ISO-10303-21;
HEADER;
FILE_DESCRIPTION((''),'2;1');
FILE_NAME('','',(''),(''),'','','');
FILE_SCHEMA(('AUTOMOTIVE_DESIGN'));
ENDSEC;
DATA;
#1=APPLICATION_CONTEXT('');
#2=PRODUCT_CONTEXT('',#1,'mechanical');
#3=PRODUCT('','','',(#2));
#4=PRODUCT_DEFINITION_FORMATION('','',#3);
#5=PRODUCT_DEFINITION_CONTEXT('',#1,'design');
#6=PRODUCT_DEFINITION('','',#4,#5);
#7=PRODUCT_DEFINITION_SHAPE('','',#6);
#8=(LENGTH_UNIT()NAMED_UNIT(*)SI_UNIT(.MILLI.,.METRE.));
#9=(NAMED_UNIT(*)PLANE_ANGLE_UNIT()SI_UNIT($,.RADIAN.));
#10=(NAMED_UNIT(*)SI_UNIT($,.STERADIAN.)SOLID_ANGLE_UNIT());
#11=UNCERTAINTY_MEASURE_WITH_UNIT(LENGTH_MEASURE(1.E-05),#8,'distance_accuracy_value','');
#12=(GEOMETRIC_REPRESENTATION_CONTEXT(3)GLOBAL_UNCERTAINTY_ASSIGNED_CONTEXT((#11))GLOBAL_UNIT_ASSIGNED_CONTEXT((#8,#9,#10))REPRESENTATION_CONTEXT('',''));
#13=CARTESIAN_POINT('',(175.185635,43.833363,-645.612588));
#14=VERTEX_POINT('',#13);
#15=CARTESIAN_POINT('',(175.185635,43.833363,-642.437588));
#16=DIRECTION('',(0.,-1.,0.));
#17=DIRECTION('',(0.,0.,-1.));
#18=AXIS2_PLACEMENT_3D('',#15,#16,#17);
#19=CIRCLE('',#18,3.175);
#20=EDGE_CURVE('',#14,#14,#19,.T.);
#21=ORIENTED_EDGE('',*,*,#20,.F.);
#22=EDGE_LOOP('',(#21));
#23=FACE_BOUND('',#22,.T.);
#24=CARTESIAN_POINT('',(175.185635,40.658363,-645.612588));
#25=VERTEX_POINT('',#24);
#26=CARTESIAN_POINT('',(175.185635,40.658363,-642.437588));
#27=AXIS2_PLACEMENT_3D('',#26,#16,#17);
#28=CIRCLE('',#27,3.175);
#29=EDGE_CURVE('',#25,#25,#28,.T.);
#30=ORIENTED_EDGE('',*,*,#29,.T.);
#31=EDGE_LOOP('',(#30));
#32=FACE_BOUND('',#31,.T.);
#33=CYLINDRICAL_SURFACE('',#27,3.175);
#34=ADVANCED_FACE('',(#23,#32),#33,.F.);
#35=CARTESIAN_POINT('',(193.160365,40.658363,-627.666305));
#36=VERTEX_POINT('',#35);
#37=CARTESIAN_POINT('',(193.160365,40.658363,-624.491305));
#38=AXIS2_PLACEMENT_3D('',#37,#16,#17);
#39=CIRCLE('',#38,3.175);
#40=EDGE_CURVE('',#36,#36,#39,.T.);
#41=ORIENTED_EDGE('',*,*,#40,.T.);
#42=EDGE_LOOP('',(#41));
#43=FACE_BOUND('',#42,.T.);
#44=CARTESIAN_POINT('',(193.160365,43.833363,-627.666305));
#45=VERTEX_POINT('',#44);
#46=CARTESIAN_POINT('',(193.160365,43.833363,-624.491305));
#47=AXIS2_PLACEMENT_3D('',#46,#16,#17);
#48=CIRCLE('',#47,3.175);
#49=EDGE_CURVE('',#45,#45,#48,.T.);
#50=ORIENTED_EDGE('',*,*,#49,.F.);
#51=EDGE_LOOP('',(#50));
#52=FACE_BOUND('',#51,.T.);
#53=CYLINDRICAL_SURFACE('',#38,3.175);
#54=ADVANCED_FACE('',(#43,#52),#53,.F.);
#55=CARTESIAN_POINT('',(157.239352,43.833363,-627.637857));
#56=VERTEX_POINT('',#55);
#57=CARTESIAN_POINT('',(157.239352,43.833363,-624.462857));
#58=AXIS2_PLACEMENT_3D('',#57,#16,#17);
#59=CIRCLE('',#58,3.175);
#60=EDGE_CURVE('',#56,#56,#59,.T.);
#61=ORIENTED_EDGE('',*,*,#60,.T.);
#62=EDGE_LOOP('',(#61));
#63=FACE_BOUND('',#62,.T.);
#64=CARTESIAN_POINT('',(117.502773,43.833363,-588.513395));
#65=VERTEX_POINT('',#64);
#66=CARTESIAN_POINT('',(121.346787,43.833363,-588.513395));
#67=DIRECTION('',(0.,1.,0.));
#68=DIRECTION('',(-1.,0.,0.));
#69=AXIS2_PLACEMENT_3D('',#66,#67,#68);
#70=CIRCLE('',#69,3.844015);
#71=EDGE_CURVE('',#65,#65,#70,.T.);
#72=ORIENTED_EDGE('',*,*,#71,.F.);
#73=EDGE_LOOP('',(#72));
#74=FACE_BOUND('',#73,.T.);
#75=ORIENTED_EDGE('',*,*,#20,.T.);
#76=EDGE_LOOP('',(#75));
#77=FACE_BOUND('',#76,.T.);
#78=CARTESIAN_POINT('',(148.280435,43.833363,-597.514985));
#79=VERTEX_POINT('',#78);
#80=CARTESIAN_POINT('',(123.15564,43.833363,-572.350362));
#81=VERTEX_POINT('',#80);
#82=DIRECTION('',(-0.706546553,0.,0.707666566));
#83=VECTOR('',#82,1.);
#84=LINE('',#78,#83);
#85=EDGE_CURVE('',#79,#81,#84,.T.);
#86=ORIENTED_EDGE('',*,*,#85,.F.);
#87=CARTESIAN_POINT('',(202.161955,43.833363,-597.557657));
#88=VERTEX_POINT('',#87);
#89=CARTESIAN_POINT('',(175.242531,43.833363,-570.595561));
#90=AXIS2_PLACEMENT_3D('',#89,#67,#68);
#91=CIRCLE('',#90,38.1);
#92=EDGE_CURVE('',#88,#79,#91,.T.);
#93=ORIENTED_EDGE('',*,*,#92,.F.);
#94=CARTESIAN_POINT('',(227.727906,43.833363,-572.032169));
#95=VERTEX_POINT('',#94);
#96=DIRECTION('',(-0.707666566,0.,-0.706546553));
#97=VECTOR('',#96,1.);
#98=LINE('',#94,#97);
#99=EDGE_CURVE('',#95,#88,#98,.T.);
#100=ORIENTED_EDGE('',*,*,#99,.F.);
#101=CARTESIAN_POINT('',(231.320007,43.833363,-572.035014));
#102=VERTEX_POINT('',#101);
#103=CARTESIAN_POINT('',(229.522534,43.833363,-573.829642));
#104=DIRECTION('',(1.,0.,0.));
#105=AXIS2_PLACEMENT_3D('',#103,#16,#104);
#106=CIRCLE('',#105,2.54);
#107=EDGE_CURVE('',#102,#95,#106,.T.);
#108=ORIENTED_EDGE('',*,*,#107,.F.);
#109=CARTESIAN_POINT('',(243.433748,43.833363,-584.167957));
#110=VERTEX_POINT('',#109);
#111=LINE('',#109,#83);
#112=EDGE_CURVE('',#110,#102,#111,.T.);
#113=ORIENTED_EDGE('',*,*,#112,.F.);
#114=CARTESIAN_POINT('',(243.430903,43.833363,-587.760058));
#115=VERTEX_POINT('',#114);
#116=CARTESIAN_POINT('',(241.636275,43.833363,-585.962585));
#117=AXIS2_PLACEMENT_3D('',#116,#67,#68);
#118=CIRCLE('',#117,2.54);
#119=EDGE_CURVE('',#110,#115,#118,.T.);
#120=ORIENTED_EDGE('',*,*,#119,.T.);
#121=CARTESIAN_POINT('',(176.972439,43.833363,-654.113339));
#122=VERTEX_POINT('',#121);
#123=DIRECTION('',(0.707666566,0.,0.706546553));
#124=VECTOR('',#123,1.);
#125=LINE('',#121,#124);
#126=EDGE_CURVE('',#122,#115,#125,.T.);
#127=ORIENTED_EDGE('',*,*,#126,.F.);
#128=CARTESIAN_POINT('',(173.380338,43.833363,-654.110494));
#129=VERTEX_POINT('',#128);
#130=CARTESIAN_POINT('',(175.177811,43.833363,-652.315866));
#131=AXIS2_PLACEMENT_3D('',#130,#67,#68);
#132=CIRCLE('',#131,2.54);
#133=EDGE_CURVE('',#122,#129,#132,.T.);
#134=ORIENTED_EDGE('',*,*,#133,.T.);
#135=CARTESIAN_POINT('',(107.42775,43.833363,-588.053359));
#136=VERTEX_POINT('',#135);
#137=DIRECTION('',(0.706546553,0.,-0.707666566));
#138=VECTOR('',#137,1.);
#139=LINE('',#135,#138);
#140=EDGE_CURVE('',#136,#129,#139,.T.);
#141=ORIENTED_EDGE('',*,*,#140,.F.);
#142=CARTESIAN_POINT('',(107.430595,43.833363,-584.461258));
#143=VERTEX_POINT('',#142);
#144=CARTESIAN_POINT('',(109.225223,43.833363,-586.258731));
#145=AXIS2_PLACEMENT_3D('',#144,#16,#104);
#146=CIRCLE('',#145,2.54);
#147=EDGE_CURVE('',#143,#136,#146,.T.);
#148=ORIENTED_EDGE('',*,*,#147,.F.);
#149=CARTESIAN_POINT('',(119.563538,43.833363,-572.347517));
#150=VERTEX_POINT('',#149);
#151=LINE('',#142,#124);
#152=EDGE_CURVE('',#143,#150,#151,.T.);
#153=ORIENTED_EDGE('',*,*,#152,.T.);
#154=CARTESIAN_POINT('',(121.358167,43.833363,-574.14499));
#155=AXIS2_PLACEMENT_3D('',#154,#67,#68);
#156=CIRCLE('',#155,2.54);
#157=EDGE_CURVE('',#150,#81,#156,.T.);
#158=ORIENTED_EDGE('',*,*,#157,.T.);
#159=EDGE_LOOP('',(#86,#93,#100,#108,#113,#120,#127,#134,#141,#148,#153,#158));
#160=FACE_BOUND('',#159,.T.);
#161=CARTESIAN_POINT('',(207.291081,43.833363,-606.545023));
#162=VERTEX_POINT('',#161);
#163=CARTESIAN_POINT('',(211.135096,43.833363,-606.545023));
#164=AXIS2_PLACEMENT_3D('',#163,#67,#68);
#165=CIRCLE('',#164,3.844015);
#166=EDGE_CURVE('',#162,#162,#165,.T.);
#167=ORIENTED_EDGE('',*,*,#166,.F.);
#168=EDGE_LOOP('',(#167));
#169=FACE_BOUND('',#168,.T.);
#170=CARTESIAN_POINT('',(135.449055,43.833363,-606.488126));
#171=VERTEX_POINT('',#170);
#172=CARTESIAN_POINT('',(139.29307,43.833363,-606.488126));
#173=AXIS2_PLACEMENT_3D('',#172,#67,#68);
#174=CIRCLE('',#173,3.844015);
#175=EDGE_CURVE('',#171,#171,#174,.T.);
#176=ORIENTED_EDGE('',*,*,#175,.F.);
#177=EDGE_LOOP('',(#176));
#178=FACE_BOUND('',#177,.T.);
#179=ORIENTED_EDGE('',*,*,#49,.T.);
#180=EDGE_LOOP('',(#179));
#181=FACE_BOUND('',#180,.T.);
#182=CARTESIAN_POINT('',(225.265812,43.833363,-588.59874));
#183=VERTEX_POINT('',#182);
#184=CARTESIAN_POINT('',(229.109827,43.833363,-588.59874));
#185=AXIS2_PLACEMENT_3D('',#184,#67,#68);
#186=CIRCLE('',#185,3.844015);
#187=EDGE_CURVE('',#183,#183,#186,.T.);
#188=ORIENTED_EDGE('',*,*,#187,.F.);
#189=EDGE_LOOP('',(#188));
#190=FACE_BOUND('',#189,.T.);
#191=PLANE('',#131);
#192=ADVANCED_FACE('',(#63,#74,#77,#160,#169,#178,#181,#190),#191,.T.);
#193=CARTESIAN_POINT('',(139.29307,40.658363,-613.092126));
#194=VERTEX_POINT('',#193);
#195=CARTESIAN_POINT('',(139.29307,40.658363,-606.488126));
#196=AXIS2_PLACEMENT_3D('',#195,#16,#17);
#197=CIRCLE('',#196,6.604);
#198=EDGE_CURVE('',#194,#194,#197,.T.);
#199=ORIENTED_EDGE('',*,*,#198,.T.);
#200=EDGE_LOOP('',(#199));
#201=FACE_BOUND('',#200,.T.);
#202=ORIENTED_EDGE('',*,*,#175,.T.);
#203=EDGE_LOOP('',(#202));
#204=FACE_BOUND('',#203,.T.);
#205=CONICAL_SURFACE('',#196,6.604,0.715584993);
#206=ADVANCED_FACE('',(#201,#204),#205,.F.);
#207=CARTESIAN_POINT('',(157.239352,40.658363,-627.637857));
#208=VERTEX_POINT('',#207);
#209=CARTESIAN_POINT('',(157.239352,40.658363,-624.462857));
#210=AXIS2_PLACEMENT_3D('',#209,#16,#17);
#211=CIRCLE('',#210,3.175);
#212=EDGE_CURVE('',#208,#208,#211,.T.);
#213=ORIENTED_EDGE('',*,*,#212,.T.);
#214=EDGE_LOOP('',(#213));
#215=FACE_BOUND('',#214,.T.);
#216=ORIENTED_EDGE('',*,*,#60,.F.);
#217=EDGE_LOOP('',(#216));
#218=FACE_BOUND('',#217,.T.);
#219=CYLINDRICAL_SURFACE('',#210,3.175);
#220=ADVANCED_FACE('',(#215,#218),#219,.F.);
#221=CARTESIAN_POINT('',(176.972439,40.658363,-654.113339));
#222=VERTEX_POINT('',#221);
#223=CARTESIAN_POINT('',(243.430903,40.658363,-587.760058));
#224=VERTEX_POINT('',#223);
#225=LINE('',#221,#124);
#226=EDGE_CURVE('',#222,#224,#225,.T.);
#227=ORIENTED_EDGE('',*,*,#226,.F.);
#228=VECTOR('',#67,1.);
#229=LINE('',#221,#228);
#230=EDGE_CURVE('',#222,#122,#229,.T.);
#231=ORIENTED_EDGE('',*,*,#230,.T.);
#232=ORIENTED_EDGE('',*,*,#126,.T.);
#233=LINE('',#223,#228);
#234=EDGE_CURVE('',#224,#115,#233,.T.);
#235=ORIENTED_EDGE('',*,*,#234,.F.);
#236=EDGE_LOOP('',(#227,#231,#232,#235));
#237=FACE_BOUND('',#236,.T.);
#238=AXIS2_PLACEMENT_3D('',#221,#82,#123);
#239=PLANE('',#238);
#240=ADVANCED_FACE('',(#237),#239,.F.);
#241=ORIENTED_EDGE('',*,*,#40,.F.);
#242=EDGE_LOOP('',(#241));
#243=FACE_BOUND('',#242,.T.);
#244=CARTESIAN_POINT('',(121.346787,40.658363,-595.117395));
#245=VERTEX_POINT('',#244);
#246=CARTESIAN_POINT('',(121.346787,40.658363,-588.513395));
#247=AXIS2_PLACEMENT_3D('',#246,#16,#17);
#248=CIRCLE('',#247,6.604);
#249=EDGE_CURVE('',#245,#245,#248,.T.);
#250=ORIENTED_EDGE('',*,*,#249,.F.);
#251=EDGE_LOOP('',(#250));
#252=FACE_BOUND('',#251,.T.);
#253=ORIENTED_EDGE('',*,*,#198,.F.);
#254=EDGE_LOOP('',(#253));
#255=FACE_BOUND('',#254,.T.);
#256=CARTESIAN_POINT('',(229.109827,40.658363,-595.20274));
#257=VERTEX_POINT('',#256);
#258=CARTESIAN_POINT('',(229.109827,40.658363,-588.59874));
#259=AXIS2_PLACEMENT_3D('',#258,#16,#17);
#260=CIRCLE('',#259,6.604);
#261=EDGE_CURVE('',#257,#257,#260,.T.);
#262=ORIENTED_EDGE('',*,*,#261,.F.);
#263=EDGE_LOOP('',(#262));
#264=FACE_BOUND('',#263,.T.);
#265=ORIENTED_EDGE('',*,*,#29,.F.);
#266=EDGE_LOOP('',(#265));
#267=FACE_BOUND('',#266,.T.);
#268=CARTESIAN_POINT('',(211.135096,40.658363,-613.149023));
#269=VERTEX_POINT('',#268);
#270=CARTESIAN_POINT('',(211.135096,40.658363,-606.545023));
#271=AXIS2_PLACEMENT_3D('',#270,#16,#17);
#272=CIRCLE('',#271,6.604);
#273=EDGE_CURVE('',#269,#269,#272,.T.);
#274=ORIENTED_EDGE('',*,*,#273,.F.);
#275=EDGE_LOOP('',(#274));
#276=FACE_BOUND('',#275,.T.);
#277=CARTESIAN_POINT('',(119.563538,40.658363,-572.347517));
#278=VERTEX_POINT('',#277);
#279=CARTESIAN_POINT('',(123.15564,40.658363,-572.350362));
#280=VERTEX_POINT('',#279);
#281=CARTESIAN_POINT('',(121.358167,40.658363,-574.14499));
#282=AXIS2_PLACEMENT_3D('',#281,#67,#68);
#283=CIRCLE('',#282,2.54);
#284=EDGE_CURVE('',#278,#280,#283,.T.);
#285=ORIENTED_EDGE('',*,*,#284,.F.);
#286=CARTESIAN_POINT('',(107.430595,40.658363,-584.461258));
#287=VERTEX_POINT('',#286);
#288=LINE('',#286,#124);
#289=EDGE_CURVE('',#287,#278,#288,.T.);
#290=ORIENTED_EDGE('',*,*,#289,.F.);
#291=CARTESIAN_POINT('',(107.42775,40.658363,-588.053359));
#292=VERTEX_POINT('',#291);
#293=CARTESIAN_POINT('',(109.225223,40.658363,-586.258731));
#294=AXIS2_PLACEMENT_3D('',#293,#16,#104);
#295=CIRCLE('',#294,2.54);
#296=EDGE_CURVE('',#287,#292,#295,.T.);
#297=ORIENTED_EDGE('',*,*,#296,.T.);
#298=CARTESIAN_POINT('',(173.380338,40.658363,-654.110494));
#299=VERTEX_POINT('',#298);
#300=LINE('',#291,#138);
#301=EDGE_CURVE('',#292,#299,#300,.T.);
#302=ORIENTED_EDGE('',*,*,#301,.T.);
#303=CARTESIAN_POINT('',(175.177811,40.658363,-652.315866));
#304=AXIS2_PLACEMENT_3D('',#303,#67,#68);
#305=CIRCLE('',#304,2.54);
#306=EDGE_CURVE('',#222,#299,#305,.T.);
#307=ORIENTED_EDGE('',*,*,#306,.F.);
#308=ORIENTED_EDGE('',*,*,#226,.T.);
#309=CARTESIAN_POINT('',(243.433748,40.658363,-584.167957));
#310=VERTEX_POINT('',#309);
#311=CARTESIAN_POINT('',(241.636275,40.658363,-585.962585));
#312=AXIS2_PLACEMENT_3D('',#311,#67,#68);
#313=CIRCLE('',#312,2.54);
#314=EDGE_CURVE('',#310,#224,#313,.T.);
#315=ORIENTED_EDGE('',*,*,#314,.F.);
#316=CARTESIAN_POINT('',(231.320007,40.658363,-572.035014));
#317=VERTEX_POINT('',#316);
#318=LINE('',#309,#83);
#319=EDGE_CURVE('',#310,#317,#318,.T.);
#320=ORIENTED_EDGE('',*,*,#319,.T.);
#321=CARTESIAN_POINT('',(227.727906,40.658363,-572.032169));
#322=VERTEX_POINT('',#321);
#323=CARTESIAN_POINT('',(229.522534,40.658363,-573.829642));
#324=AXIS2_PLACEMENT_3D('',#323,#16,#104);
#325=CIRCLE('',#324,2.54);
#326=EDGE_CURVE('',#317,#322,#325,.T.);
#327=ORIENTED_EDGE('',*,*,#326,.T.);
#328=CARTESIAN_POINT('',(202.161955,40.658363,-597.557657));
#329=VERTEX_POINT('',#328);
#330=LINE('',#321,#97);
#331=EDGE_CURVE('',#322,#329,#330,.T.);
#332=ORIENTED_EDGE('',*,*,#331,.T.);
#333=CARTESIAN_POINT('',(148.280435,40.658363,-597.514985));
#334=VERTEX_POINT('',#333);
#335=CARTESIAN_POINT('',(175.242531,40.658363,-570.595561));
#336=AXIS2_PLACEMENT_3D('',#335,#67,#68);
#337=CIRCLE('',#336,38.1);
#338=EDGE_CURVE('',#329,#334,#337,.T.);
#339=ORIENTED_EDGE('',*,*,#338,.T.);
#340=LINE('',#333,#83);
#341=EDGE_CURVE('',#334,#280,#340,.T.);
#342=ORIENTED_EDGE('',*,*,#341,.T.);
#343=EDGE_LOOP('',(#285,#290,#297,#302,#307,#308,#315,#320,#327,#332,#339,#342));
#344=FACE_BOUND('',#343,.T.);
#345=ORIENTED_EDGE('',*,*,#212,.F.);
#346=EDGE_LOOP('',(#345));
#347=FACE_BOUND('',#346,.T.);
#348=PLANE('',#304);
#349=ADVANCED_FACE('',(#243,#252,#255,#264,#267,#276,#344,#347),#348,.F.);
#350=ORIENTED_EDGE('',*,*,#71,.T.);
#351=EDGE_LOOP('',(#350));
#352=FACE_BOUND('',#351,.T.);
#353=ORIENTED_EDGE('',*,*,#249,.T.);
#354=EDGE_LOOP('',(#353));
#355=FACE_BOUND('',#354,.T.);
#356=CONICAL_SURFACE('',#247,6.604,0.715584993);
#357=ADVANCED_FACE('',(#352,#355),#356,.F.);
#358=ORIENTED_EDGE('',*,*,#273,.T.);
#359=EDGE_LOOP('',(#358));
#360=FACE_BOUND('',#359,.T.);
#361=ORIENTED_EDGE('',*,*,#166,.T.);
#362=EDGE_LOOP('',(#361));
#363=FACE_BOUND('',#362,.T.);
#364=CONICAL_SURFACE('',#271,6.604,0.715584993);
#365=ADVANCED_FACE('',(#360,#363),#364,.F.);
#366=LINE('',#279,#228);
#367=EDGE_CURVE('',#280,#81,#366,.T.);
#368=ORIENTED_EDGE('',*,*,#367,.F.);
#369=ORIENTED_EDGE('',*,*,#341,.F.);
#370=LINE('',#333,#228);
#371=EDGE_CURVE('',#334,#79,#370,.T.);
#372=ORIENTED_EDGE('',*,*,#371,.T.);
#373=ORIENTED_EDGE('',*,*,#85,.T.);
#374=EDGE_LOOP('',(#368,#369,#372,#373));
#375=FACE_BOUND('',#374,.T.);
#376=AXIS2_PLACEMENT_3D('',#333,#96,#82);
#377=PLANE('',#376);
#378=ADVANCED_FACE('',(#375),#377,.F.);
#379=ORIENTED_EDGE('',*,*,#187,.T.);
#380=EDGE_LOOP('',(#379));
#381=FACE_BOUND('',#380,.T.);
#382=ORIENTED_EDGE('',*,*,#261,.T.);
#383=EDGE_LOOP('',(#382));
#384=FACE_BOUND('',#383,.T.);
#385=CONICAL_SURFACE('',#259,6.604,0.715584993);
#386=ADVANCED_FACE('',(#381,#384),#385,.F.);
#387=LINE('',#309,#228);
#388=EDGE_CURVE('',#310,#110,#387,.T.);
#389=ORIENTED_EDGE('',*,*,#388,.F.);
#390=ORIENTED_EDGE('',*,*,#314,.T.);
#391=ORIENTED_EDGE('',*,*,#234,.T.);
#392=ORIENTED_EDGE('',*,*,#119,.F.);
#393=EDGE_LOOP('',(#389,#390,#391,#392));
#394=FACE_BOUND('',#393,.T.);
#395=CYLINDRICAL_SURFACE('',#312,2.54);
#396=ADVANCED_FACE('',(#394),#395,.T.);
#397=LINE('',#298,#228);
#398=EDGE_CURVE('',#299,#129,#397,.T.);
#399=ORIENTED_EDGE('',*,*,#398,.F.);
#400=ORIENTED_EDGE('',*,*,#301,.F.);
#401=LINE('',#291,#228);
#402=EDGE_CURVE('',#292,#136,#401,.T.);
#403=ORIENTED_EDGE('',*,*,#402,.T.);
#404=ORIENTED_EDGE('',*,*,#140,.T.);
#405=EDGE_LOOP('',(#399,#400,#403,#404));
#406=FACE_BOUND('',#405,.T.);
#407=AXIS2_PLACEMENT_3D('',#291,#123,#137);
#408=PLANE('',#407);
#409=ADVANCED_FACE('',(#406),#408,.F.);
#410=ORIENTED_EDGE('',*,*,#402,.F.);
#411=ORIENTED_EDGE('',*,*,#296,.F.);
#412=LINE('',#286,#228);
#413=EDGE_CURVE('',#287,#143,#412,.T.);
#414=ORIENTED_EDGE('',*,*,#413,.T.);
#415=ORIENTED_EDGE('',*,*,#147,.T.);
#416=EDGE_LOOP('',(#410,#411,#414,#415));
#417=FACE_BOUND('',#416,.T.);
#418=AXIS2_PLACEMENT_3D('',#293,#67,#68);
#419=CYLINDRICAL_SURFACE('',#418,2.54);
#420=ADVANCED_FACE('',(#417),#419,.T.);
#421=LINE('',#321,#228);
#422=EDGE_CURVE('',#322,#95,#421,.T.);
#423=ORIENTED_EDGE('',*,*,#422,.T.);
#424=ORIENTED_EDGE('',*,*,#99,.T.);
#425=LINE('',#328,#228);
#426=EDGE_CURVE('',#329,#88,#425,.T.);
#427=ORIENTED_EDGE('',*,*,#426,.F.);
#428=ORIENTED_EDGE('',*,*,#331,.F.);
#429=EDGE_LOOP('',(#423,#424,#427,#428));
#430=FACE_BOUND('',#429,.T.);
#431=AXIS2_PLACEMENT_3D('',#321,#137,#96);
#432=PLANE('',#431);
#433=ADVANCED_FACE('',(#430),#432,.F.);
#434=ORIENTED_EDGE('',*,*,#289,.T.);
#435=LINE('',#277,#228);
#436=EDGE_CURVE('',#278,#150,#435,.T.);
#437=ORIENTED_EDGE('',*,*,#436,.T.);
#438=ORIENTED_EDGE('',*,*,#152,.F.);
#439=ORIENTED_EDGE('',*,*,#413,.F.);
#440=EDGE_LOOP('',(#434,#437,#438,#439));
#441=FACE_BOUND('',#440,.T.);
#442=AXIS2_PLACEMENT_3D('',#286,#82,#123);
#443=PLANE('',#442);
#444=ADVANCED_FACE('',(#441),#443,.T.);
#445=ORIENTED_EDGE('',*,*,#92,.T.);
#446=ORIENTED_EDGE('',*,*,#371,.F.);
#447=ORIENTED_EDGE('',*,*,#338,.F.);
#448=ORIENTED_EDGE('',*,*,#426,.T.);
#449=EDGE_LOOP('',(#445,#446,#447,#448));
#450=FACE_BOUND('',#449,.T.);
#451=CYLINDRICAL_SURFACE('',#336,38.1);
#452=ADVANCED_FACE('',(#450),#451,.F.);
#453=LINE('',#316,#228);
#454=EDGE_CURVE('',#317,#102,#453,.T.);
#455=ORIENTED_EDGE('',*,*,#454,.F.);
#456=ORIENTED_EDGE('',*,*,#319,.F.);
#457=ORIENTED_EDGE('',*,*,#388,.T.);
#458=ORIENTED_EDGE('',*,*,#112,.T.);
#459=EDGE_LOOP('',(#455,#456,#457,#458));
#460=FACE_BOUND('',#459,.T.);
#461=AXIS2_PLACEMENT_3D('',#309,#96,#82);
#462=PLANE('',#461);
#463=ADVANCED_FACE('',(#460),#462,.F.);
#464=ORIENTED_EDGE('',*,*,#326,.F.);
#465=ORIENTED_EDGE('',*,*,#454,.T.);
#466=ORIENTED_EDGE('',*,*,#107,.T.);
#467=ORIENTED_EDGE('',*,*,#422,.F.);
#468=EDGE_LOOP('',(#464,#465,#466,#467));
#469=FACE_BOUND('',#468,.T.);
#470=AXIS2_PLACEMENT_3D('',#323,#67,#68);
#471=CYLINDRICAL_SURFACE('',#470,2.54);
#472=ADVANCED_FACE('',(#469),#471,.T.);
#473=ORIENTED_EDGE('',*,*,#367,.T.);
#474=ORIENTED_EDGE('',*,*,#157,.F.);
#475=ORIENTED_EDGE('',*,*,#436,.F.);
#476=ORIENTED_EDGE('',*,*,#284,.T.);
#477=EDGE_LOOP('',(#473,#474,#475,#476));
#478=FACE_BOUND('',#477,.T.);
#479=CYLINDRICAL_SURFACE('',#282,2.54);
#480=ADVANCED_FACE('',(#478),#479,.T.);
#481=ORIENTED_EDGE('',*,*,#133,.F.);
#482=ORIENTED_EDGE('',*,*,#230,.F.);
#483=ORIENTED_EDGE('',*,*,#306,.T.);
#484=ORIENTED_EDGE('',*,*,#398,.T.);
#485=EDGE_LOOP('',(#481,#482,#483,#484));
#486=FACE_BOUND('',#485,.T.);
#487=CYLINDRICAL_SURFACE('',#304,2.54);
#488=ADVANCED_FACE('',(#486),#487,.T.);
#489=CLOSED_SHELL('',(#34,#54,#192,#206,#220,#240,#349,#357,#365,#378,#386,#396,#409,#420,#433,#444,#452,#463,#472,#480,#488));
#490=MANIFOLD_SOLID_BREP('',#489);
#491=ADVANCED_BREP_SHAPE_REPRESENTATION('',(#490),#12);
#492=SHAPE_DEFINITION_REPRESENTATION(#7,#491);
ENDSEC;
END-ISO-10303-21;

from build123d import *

# Parameters (mm, degrees)
BOSS_EXTRUDE1_DEPTH                  = 3.175
F_1_4_0_25_DIAMETER_HOLE1_D          = 6.35
F_1_4_0_25_DIAMETER_HOLE3_AT_2_COUNT = 2
F_1_4_0_25_DIAMETER_HOLE3_AT_2_PITCH = 25.4
F_1_4_0_25_DIAMETER_HOLE3_AT_3_COUNT = 2
F_1_4_0_25_DIAMETER_HOLE3_AT_3_PITCH = 71.842048969
F_1_4_0_25_DIAMETER_HOLE3_AT_4_COUNT = 2
F_1_4_0_25_DIAMETER_HOLE3_AT_4_PITCH = 91.581002397


with BuildPart() as part:
    # Outline → Boss-Extrude1 (new body)
    with BuildSketch(Plane.XZ.offset(-43.833362877)):
        with BuildLine():
            Line((176.972439461, -654.113339272), (243.430903053, -587.760058499))
            ThreePointArc((243.430903053, -587.760058499), (244.176274012, -585.964597022), (243.433747886, -584.167957177))
            Line((243.433747886, -584.167957177), (231.320007239, -572.035013901))
            ThreePointArc((231.320007239, -572.035013901), (229.524545763, -571.289642942), (227.727905917, -572.032169067))
            Line((227.727905917, -572.032169067), (202.161954847, -597.557657288))
            ThreePointArc((202.161954847, -597.557657288), (175.212357167, -608.695549172), (148.280435018, -597.514984781))
            Line((148.280435018, -597.514984781), (123.155639602, -572.350361691))
            ThreePointArc((123.155639602, -572.350361691), (121.360178125, -571.604990731), (119.56353828, -572.347516857))
            Line((119.56353828, -572.347516857), (107.430595004, -584.461257504))
            ThreePointArc((107.430595004, -584.461257504), (106.685224045, -586.256718981), (107.42775017, -588.053358826))
            Line((107.42775017, -588.053358826), (173.380338139, -654.110494438))
            ThreePointArc((173.380338139, -654.110494438), (175.175799616, -654.855865397), (176.972439461, -654.113339272))
        make_face()
    extrude(amount=BOSS_EXTRUDE1_DEPTH)

    # 1/4 (0.25) Diameter Hole1 (through all)
    with Locations(Plane(origin=(0, 40.658362877, 0), x_dir=(-1, 0, 0), z_dir=(0, -1, 0))):
        with Locations((-175.18563451, 642.437587559), (-193.160365289, 624.491305118), (-157.239352069, 624.46285678)):
            Hole(F_1_4_0_25_DIAMETER_HOLE1_D / 2)

    # Sketch11 → 1/4 (0.25) Diameter Hole3 (revolve, cut)
    with BuildSketch(Plane(origin=(139.293069629, 40.658362877, -606.488126001), x_dir=(0, 0, -1), z_dir=(1, 0, 0))):
        Polygon((0, 0), (0, 3.175), (3.175, 3.175), (3.175, 3.944613268), (6.604, 0), align=None)
    f_1_4_0_25_diameter_hole3 = revolve(axis=Axis((139.293069629, 34.308362877, -606.488126001), (0, 1, 0)), mode=Mode.SUBTRACT)

    # 1/4 (0.25) Diameter Hole3 at 2: 1/4 (0.25) Diameter Hole3 ×2
    with Locations(*[Vector(-0.7065465527738991, 0, 0.7076665660912065) * (i * F_1_4_0_25_DIAMETER_HOLE3_AT_2_PITCH) for i in range(1, F_1_4_0_25_DIAMETER_HOLE3_AT_2_COUNT)]):
        add(f_1_4_0_25_diameter_hole3, mode=Mode.SUBTRACT)

    # 1/4 (0.25) Diameter Hole3 at 3: 1/4 (0.25) Diameter Hole3 ×2
    with Locations(*[Vector(0.9999996863924931, 0, -0.0007919690116880901) * (i * F_1_4_0_25_DIAMETER_HOLE3_AT_3_PITCH) for i in range(1, F_1_4_0_25_DIAMETER_HOLE3_AT_3_COUNT)]):
        add(f_1_4_0_25_diameter_hole3, mode=Mode.SUBTRACT)

    # 1/4 (0.25) Diameter Hole3 at 4: 1/4 (0.25) Diameter Hole3 ×2
    with Locations(*[Vector(0.980735686075181, 0, 0.1953394841260828) * (i * F_1_4_0_25_DIAMETER_HOLE3_AT_4_PITCH) for i in range(1, F_1_4_0_25_DIAMETER_HOLE3_AT_4_COUNT)]):
        add(f_1_4_0_25_diameter_hole3, mode=Mode.SUBTRACT)


solid = part.part
